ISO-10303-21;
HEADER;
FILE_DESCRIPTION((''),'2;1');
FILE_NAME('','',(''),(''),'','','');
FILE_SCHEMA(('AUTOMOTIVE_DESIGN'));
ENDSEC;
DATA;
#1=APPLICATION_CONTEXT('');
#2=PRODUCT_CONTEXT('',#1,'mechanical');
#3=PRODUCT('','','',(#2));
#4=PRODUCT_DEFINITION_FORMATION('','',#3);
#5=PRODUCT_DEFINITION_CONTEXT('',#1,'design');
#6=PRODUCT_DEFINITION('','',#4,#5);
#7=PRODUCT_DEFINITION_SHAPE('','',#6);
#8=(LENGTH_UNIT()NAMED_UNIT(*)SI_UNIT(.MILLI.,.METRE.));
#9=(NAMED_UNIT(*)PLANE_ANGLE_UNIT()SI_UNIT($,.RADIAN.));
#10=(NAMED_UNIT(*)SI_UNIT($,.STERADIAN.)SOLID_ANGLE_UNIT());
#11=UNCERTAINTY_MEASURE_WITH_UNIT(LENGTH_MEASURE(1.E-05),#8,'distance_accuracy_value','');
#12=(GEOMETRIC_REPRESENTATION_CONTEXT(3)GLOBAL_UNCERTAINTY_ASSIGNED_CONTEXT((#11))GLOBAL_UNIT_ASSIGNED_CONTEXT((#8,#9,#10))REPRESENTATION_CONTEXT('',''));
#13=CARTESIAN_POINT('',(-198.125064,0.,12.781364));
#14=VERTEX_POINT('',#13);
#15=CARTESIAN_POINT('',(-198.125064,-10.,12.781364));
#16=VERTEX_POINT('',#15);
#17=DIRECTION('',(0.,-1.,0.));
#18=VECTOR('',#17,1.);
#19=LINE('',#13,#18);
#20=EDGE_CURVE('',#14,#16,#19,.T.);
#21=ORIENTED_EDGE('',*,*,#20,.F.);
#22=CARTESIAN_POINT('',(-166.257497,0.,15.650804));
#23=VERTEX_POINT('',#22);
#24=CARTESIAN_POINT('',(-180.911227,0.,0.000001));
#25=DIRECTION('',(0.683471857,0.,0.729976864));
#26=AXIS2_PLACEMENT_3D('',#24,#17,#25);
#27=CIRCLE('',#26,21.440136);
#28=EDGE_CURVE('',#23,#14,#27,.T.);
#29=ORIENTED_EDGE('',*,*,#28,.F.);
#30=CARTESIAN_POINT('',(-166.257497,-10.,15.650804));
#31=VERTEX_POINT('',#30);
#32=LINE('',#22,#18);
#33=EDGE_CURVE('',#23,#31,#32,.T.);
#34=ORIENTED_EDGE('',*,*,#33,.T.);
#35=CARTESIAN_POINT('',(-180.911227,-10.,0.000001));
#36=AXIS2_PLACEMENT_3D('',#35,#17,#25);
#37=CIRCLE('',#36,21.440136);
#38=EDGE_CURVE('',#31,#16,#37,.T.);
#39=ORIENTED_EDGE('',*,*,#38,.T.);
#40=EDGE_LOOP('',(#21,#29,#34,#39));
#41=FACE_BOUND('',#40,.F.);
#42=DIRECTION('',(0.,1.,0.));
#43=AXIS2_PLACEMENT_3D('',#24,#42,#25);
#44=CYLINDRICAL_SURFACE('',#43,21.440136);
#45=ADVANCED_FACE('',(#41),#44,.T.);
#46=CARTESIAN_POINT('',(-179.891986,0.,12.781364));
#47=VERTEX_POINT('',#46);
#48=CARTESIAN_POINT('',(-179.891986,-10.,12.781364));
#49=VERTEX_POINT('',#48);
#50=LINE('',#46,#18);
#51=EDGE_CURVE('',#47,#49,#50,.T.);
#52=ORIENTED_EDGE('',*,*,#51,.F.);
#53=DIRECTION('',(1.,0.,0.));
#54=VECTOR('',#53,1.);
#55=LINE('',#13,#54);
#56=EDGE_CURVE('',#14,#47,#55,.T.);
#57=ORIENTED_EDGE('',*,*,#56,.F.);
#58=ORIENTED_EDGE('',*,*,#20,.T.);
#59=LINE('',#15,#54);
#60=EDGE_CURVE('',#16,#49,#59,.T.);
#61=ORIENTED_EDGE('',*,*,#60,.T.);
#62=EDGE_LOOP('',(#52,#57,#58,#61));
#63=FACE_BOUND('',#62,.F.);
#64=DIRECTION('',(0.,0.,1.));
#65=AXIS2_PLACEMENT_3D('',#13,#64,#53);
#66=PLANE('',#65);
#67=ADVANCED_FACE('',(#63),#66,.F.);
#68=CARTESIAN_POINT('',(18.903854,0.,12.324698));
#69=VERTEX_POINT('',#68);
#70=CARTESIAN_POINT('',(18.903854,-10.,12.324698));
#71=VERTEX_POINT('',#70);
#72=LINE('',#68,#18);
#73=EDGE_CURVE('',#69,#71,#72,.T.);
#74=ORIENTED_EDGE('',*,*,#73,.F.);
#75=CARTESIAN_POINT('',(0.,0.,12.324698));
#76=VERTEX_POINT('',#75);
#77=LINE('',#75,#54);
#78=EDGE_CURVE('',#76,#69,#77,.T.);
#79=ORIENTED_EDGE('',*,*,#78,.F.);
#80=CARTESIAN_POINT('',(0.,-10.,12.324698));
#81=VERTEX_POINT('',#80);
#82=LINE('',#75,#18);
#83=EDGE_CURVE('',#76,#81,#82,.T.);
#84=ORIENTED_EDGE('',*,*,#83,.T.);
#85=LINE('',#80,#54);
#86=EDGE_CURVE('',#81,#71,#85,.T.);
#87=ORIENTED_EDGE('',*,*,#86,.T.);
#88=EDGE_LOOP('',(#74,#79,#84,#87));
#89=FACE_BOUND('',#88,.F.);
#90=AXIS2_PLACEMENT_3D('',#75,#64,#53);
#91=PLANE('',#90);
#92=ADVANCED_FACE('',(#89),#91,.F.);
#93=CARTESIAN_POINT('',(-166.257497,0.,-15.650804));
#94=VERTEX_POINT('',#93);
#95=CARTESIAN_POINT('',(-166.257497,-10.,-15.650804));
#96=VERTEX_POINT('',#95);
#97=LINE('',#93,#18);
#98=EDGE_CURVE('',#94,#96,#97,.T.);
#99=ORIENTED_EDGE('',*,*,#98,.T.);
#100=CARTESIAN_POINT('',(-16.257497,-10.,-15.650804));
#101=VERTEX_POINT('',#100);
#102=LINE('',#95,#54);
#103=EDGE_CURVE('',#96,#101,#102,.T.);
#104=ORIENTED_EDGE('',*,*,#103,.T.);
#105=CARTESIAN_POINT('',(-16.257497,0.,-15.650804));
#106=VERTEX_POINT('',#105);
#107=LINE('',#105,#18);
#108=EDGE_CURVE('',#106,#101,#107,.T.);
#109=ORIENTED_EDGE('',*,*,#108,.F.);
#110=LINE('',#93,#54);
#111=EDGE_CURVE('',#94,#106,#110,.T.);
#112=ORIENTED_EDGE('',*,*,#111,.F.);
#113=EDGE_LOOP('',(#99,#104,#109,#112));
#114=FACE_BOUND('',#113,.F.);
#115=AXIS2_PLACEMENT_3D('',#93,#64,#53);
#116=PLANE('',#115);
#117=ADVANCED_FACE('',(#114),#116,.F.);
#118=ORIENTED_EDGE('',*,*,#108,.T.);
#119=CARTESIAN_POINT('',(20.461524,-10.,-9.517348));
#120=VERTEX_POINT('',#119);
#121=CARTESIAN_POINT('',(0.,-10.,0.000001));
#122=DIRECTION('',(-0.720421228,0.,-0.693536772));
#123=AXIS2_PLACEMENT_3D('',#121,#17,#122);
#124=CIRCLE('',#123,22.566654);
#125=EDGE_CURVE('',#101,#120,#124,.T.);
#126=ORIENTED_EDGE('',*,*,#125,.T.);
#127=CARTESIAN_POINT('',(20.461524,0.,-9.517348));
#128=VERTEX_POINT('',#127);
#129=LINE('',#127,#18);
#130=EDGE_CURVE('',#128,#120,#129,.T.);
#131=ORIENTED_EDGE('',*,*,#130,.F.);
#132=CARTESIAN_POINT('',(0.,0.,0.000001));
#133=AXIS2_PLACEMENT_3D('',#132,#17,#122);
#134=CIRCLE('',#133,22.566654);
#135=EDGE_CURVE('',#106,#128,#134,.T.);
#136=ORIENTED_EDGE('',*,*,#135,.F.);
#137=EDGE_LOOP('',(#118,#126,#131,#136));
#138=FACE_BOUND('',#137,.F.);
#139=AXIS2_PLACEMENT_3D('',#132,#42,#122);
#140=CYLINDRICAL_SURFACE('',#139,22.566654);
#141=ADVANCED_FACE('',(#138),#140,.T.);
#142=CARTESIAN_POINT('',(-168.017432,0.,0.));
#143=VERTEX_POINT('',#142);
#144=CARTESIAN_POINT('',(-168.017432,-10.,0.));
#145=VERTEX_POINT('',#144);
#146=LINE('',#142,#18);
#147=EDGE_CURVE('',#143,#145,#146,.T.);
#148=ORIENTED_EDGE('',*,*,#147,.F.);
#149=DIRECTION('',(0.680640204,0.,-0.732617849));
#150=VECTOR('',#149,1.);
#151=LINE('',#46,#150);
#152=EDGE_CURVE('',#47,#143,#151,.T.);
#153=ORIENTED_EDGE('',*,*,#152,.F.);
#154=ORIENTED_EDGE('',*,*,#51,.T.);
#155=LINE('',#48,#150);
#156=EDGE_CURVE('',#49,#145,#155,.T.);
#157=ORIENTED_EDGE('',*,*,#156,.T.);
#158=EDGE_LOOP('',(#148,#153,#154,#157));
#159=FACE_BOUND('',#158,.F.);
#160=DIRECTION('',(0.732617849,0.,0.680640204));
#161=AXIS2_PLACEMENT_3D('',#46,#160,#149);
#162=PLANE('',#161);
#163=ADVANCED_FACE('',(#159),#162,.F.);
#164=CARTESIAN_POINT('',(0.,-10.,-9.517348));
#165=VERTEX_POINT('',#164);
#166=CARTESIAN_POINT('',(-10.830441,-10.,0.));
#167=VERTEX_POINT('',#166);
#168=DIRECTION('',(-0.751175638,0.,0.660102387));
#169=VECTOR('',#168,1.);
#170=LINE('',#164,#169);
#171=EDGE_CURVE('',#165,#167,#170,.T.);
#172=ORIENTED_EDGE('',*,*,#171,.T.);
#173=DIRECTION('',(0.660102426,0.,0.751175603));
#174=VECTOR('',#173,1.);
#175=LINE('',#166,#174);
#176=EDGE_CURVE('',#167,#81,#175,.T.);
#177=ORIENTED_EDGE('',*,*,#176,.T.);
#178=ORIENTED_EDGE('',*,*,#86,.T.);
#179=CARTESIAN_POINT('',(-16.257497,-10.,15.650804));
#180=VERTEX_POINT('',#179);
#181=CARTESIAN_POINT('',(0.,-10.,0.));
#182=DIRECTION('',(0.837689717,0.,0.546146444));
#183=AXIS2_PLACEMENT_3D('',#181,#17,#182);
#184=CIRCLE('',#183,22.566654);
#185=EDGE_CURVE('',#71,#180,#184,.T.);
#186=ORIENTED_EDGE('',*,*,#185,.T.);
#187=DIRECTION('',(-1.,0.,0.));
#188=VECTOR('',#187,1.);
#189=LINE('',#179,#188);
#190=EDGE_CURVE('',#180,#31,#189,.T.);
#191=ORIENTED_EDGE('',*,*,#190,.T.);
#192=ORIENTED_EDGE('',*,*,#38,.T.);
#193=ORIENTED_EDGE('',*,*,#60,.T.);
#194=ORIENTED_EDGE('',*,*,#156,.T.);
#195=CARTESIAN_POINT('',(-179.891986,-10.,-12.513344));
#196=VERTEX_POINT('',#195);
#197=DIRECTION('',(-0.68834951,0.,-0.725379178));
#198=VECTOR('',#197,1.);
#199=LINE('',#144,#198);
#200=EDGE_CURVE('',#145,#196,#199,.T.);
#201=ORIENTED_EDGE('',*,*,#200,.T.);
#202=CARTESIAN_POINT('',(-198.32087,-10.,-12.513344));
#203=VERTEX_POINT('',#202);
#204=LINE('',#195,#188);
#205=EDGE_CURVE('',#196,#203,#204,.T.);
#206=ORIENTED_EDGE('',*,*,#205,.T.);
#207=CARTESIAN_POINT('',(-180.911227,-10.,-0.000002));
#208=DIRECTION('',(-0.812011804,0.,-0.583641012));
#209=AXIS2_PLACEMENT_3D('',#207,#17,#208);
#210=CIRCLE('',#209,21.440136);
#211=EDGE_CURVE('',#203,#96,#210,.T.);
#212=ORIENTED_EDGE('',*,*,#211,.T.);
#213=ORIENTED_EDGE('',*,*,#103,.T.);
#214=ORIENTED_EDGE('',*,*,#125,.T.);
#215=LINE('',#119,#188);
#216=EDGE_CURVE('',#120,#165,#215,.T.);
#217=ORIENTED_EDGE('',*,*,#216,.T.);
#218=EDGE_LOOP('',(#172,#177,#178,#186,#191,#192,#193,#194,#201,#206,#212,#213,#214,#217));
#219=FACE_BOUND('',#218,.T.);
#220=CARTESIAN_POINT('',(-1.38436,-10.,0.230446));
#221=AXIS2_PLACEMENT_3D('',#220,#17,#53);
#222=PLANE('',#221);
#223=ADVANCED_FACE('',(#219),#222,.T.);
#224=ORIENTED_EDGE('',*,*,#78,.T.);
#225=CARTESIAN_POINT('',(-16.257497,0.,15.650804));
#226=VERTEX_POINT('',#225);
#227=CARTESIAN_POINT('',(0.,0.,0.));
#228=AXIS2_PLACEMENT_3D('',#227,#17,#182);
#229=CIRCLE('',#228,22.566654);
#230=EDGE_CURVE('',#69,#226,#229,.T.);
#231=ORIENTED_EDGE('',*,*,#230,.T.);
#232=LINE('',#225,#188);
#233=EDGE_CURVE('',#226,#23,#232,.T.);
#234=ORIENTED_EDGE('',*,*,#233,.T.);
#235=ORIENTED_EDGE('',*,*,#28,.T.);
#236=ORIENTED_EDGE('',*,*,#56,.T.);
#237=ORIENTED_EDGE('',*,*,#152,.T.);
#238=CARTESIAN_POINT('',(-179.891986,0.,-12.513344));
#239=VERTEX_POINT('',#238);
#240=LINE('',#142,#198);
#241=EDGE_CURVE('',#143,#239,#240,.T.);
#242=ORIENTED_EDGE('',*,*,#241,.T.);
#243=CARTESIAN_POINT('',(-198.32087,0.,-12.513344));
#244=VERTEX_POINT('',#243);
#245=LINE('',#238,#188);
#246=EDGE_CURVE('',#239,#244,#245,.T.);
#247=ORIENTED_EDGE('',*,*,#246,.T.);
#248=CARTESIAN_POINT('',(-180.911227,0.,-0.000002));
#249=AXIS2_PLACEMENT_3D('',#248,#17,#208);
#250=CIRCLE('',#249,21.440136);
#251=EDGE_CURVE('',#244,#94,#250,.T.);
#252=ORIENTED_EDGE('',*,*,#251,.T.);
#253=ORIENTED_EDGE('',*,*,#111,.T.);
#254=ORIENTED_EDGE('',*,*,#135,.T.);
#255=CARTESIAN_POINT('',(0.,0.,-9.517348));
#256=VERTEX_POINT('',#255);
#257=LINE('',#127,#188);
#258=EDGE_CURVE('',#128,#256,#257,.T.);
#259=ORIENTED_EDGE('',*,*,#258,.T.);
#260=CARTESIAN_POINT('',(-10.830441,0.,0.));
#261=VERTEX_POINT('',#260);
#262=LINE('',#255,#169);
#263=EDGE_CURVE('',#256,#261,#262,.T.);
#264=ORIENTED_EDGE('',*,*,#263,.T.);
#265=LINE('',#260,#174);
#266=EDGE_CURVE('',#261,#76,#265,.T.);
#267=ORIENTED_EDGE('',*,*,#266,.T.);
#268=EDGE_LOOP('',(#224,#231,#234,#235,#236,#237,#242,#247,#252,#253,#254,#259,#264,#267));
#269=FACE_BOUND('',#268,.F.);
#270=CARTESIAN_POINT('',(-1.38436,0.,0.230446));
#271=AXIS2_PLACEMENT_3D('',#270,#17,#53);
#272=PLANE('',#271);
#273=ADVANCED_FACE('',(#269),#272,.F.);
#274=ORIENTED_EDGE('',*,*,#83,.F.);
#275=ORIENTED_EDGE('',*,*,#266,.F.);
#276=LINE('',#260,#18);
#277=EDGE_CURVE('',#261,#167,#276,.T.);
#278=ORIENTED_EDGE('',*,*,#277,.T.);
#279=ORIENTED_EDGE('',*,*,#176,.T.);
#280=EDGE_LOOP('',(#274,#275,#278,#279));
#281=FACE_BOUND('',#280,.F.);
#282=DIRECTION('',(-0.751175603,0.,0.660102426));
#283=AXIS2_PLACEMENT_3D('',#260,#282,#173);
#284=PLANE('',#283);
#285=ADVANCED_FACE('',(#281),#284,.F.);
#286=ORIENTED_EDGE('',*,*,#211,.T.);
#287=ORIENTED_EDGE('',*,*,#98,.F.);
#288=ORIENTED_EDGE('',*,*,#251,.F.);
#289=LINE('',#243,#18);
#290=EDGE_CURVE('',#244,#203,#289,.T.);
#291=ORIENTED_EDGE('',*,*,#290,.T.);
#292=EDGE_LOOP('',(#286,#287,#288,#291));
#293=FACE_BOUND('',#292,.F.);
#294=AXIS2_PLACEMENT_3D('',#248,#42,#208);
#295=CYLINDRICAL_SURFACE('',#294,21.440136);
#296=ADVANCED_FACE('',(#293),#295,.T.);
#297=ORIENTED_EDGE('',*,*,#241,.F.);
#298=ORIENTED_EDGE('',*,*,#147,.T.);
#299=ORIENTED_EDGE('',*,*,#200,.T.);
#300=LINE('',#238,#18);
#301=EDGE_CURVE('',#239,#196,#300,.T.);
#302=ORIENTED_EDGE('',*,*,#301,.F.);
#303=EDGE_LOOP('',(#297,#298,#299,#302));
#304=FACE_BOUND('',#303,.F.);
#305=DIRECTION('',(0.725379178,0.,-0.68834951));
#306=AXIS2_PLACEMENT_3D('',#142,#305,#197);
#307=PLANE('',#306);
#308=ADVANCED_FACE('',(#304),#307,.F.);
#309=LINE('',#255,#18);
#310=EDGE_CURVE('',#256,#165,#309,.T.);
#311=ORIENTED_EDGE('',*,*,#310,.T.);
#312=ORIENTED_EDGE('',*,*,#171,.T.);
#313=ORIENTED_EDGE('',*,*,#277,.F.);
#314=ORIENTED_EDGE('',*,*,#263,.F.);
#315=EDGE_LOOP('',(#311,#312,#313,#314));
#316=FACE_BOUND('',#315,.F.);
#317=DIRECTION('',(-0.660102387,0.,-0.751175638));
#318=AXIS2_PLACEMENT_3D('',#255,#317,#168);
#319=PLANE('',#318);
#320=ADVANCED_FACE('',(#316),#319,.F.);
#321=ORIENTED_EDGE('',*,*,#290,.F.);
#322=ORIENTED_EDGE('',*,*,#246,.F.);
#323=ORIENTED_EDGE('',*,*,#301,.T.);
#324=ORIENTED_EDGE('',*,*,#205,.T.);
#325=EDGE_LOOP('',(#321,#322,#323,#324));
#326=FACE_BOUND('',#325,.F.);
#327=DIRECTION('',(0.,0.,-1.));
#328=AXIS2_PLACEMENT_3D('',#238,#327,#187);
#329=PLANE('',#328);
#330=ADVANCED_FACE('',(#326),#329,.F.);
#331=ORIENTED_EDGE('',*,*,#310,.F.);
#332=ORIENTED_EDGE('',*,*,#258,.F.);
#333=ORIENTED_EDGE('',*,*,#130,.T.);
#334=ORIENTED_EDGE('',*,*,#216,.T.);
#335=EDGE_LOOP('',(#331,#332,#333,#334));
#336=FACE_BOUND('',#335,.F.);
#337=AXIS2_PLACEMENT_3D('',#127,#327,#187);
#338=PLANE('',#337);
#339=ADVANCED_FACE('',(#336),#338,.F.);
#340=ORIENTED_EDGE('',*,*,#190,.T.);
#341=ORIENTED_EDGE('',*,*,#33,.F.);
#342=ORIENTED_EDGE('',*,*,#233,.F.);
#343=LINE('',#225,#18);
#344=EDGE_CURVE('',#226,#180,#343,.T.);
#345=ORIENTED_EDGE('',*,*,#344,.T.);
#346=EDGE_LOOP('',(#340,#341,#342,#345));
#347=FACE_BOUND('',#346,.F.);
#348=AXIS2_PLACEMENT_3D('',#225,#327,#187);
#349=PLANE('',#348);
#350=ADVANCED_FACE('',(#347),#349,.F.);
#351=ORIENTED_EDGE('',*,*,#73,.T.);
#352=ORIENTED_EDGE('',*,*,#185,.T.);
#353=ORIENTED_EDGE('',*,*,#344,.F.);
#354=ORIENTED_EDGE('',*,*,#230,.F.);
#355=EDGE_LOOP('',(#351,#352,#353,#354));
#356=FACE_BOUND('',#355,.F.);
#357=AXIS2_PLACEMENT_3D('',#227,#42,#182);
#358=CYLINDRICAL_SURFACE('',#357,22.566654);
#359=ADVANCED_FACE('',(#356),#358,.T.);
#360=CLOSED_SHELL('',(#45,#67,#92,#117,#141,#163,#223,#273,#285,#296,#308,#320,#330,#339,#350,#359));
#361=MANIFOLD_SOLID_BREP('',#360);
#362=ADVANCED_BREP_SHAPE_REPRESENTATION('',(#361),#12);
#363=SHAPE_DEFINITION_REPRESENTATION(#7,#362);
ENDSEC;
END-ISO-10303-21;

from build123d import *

# Parameters (mm, degrees)
F1_DEPTH = 10


with BuildPart() as f1:
    # F0 (on Front) → F1 (new body)
    with BuildSketch(Plane.XZ):
        with BuildLine():
            Line((0, 12.324698), (18.903854, 12.324698))
            ThreePointArc((18.903854, 12.324698), (2.125217, 22.46636), (-16.257497, 15.650804))
            ThreePointArc((-16.257497, 15.650804), (-22.566654, 0), (-16.257497, -15.650804))
            ThreePointArc((-16.257497, -15.650804), (3.717967, -22.25827), (20.461524, -9.517348))
            Line((20.461524, -9.517348), (0, -9.517348))
            Line((0, -9.517348), (-10.830441, 0))
            Line((-10.830441, 0), (0, 12.324698))
        make_face()
        with BuildLine():
            ThreePointArc((-16.257497, -15.650804), (-22.566654, 0), (-16.257497, 15.650804))
            Line((-16.257497, 15.650804), (-166.257497, 15.650804))
            ThreePointArc((-166.257497, 15.650804), (-159.47109, 0), (-166.257497, -15.650804))
            Line((-166.257497, -15.650804), (-16.257497, -15.650804))
        make_face()
        with BuildLine():
            ThreePointArc((-166.257497, -15.650804), (-159.47109, 0), (-166.257497, 15.650804))
            ThreePointArc((-166.257497, 15.650804), (-182.833974, 21.353747), (-198.125064, 12.781364))
            Line((-198.125064, 12.781364), (-179.891986, 12.781364))
            Line((-179.891986, 12.781364), (-168.017432, 0))
            Line((-168.017432, 0), (-179.891986, -12.513344))
            Line((-179.891986, -12.513344), (-198.32087, -12.513344))
            ThreePointArc((-198.32087, -12.513344), (-182.999211, -21.338224), (-166.257497, -15.650804))
        make_face()
    extrude(amount=F1_DEPTH)


solid = f1.part
